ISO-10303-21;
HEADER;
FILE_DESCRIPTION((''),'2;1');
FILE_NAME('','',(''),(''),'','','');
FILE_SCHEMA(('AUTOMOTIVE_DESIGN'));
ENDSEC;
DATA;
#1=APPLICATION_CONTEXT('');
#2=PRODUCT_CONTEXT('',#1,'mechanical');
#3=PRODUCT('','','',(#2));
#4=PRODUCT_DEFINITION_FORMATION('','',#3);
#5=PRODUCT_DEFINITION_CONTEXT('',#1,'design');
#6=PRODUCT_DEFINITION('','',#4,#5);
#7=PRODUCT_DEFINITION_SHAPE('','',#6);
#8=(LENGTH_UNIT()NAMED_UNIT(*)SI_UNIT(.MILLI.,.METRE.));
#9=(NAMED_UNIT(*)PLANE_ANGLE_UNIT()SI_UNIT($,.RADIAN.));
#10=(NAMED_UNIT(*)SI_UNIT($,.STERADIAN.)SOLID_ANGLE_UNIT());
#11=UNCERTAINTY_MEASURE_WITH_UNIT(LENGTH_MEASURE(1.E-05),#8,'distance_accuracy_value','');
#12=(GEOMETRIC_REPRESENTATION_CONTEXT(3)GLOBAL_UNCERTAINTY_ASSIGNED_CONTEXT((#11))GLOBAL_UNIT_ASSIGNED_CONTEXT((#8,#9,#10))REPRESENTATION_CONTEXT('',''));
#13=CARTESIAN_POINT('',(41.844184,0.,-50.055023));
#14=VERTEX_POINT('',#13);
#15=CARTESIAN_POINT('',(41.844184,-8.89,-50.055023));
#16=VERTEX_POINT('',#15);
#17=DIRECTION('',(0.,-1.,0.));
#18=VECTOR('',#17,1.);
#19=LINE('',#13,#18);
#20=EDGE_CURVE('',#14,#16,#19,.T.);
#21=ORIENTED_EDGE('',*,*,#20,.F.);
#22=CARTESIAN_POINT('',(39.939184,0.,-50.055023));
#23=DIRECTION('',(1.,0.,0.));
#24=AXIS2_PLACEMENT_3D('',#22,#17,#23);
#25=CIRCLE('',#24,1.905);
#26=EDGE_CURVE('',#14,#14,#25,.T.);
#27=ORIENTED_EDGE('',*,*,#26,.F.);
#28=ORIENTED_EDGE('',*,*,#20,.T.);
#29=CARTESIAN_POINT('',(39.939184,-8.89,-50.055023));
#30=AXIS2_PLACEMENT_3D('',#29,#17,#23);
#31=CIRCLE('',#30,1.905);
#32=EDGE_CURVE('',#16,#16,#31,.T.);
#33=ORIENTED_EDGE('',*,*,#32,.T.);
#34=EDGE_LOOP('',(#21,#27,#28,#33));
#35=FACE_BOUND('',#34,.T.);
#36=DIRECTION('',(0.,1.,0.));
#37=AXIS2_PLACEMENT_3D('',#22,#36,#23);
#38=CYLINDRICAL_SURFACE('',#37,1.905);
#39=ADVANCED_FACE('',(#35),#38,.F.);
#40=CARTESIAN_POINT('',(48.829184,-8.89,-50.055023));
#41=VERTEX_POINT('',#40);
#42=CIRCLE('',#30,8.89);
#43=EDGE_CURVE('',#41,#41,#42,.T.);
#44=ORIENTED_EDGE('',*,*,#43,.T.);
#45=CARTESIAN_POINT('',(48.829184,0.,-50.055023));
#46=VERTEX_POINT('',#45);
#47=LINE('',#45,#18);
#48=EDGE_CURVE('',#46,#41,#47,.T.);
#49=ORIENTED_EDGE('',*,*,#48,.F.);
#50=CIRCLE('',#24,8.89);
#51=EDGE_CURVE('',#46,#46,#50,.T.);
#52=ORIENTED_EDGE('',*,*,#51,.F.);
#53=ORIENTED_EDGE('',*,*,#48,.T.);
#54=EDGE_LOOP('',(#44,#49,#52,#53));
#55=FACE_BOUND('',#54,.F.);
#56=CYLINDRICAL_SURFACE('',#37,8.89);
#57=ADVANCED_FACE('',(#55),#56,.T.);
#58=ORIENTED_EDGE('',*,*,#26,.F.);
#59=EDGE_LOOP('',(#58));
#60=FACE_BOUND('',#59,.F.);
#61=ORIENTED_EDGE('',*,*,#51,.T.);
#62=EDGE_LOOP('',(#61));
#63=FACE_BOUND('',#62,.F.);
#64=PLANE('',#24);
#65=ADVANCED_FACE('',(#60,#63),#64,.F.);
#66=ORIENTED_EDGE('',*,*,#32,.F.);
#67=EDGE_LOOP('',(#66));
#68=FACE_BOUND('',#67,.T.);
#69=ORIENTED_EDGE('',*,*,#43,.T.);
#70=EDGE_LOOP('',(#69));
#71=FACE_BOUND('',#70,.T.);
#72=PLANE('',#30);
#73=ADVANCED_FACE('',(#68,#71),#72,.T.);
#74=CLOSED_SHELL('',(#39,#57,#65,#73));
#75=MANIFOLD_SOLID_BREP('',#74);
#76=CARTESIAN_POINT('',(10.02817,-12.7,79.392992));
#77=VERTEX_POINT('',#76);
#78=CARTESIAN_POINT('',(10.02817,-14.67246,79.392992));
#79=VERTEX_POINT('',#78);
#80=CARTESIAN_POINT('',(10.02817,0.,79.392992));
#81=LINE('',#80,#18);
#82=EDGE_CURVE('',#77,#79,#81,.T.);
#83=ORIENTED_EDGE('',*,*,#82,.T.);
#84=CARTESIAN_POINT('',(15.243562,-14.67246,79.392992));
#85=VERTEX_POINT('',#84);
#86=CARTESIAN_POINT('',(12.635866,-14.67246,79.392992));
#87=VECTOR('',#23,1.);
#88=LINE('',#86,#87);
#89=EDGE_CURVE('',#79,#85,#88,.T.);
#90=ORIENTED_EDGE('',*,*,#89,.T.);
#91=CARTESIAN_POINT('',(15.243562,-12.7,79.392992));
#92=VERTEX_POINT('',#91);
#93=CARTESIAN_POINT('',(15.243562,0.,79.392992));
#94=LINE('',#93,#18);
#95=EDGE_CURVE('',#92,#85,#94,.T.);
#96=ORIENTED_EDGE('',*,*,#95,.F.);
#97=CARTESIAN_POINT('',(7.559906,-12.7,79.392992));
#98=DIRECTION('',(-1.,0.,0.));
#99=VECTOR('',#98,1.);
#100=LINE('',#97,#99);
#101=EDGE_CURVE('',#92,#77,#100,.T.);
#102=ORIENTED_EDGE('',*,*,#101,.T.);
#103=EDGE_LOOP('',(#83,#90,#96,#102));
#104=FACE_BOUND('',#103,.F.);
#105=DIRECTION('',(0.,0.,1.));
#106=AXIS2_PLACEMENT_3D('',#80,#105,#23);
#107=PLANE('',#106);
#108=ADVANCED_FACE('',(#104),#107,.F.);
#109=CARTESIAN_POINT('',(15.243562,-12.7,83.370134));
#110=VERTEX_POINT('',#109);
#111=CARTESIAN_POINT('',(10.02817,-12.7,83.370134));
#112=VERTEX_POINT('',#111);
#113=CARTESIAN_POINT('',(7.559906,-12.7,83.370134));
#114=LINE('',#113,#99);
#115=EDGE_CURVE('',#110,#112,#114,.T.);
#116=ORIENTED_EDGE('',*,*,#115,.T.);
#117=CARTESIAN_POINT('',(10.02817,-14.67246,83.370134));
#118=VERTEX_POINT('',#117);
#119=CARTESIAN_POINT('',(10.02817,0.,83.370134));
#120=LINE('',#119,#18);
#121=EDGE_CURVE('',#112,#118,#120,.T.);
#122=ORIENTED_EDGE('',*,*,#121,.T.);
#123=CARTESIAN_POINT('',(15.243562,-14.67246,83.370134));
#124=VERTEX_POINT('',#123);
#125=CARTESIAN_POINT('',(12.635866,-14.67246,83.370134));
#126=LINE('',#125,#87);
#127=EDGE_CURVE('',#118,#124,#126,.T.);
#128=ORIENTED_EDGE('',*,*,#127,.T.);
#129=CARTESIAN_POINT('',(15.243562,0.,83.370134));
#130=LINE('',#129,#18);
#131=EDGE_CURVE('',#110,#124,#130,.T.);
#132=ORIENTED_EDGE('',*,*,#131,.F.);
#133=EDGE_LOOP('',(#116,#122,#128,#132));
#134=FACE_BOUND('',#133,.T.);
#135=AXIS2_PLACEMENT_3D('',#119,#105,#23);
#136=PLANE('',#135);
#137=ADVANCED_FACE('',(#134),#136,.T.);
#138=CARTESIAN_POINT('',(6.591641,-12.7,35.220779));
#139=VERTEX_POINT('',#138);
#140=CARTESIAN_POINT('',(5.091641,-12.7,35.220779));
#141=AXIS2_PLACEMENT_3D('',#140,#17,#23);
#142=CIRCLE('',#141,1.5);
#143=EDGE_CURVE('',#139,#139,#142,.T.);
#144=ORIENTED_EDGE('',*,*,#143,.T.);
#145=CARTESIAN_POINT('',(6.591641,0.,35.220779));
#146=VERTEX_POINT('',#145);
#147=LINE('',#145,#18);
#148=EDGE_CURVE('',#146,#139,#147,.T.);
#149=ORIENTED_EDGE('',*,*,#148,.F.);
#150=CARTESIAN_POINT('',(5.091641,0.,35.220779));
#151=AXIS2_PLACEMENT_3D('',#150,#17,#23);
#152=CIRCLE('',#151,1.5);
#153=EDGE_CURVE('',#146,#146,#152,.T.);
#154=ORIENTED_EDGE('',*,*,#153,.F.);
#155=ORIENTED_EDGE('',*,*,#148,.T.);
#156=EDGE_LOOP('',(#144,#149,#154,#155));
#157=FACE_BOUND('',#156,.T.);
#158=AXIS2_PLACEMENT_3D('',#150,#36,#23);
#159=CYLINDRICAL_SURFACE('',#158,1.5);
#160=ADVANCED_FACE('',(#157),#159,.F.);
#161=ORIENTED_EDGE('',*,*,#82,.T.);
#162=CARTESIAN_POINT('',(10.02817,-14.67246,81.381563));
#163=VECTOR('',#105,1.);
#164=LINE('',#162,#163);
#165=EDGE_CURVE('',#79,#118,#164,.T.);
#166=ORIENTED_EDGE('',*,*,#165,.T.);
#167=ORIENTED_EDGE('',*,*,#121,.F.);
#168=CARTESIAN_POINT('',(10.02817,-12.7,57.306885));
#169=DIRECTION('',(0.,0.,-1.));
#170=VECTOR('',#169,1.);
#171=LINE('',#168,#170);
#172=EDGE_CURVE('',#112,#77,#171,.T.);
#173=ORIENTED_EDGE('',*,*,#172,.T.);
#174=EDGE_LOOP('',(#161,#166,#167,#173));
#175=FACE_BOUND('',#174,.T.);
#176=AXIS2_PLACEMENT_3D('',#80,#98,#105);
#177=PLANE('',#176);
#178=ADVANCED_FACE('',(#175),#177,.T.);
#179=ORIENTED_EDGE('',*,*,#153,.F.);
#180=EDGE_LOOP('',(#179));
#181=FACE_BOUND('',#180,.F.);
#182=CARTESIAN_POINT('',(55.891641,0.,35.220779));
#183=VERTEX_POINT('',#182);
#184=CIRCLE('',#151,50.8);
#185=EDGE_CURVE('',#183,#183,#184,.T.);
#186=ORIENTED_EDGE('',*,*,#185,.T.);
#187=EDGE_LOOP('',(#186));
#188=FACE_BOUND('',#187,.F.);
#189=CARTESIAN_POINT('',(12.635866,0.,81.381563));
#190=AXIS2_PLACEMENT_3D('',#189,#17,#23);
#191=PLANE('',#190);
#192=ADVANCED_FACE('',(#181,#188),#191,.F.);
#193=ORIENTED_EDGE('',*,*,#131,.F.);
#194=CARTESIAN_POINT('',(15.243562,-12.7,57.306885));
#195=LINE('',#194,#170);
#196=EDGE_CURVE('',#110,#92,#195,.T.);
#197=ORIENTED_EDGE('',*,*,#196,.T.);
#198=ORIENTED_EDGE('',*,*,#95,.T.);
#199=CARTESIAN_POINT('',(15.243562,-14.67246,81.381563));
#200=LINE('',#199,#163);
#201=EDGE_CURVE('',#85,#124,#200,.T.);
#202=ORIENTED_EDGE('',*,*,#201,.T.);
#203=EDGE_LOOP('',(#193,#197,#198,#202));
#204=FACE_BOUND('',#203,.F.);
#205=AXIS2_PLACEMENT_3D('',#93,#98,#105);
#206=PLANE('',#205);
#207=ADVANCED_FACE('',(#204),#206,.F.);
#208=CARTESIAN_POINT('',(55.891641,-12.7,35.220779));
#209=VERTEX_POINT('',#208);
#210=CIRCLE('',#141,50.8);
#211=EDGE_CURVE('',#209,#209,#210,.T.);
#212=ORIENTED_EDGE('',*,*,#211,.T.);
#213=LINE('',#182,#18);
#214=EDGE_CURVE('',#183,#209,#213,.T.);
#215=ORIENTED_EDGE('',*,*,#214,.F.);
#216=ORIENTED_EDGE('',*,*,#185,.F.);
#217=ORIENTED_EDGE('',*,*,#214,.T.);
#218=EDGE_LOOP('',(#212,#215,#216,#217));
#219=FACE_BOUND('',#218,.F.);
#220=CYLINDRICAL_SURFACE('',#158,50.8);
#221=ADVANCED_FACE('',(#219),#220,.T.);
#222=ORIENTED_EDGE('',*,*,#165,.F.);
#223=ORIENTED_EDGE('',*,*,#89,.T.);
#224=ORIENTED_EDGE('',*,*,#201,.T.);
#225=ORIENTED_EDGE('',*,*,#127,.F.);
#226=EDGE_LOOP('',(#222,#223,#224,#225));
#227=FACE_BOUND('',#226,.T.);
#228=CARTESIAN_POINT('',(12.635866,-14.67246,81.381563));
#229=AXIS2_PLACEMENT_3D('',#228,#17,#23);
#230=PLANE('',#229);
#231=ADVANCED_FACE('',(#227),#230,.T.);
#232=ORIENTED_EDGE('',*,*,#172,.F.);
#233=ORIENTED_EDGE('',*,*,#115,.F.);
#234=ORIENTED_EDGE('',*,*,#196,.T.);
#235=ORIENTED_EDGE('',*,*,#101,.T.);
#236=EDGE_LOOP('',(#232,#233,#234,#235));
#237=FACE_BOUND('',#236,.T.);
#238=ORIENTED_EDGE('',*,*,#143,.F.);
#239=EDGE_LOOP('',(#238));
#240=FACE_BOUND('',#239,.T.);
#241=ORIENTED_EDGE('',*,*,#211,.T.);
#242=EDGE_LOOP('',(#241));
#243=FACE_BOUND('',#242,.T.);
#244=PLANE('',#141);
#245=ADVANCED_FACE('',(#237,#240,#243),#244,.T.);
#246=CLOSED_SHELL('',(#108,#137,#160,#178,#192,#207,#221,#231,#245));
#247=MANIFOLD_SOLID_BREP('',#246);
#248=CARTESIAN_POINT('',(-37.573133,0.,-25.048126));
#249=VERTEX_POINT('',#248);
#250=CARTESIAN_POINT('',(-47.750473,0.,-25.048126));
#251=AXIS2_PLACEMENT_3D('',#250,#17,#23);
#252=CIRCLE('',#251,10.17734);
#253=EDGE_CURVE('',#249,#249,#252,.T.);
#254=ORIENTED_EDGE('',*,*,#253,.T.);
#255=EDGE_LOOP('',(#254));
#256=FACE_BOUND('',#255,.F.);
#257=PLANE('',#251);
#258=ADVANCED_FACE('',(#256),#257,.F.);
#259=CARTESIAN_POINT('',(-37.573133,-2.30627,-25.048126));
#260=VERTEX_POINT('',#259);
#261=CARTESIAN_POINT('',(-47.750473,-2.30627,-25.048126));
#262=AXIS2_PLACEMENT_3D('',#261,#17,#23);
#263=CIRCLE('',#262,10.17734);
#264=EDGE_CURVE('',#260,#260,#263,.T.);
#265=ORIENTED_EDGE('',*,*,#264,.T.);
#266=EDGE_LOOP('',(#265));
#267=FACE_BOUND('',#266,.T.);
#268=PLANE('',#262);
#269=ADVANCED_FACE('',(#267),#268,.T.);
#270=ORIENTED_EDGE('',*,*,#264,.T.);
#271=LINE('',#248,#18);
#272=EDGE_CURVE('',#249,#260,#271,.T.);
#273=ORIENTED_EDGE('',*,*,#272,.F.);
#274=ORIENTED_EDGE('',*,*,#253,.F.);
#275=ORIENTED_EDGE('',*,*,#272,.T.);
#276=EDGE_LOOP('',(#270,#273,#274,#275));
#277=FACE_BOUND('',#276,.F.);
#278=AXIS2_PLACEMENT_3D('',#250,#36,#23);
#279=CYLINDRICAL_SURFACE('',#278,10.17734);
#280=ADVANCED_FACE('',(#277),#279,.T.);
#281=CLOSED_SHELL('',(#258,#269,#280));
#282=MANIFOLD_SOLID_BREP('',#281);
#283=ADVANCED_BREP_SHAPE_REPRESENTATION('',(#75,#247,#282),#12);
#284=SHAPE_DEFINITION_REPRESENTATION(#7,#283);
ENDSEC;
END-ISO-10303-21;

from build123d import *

# Parameters (mm, degrees)
F0_R     = 50.8
F0_R_2   = 1.5
F0_W     = 5.215391
F0_H     = 3.977142
F1_DEPTH = 12.7
F2_DEPTH = 14.67246
F0_R_3   = 10.17734
F3_DEPTH = 2.30627
F0_R_4   = 8.89
F0_R_5   = 1.905
F4_DEPTH = 8.89


with BuildPart() as f1:
    # F0 (on Front) → F1 (new body)
    with BuildSketch(Plane.XZ):
        with Locations((5.091641, 35.220779)):
            Circle(F0_R)
        with Locations((5.091641, 35.220779)):
            Circle(F0_R_2, mode=Mode.SUBTRACT)
        with Locations((12.635866, 81.381563)):
            Rectangle(F0_W, F0_H, mode=Mode.SUBTRACT)
        with Locations((12.635866, 81.381563)):
            Rectangle(F0_W, F0_H)
    extrude(amount=F1_DEPTH)

    # F0 (on Front) → F2 (join)
    with BuildSketch(Plane.XZ):
        with Locations((12.635866, 81.381563)):
            Rectangle(F0_W, F0_H)
    extrude(amount=F2_DEPTH)


with BuildPart() as f3:
    # F0 (on Front) → F3 (new body)
    with BuildSketch(Plane.XZ):
        with Locations((-47.750473, -25.048126)):
            Circle(F0_R_3)
    extrude(amount=F3_DEPTH)


with BuildPart() as f4:
    # F0 (on Front) → F4 (new body)
    with BuildSketch(Plane.XZ):
        with Locations((39.939184, -50.055023)):
            Circle(F0_R_4)
        with Locations((39.939184, -50.055023)):
            Circle(F0_R_5, mode=Mode.SUBTRACT)
    extrude(amount=F4_DEPTH)


solid = Compound([f1.part, f3.part, f4.part])
